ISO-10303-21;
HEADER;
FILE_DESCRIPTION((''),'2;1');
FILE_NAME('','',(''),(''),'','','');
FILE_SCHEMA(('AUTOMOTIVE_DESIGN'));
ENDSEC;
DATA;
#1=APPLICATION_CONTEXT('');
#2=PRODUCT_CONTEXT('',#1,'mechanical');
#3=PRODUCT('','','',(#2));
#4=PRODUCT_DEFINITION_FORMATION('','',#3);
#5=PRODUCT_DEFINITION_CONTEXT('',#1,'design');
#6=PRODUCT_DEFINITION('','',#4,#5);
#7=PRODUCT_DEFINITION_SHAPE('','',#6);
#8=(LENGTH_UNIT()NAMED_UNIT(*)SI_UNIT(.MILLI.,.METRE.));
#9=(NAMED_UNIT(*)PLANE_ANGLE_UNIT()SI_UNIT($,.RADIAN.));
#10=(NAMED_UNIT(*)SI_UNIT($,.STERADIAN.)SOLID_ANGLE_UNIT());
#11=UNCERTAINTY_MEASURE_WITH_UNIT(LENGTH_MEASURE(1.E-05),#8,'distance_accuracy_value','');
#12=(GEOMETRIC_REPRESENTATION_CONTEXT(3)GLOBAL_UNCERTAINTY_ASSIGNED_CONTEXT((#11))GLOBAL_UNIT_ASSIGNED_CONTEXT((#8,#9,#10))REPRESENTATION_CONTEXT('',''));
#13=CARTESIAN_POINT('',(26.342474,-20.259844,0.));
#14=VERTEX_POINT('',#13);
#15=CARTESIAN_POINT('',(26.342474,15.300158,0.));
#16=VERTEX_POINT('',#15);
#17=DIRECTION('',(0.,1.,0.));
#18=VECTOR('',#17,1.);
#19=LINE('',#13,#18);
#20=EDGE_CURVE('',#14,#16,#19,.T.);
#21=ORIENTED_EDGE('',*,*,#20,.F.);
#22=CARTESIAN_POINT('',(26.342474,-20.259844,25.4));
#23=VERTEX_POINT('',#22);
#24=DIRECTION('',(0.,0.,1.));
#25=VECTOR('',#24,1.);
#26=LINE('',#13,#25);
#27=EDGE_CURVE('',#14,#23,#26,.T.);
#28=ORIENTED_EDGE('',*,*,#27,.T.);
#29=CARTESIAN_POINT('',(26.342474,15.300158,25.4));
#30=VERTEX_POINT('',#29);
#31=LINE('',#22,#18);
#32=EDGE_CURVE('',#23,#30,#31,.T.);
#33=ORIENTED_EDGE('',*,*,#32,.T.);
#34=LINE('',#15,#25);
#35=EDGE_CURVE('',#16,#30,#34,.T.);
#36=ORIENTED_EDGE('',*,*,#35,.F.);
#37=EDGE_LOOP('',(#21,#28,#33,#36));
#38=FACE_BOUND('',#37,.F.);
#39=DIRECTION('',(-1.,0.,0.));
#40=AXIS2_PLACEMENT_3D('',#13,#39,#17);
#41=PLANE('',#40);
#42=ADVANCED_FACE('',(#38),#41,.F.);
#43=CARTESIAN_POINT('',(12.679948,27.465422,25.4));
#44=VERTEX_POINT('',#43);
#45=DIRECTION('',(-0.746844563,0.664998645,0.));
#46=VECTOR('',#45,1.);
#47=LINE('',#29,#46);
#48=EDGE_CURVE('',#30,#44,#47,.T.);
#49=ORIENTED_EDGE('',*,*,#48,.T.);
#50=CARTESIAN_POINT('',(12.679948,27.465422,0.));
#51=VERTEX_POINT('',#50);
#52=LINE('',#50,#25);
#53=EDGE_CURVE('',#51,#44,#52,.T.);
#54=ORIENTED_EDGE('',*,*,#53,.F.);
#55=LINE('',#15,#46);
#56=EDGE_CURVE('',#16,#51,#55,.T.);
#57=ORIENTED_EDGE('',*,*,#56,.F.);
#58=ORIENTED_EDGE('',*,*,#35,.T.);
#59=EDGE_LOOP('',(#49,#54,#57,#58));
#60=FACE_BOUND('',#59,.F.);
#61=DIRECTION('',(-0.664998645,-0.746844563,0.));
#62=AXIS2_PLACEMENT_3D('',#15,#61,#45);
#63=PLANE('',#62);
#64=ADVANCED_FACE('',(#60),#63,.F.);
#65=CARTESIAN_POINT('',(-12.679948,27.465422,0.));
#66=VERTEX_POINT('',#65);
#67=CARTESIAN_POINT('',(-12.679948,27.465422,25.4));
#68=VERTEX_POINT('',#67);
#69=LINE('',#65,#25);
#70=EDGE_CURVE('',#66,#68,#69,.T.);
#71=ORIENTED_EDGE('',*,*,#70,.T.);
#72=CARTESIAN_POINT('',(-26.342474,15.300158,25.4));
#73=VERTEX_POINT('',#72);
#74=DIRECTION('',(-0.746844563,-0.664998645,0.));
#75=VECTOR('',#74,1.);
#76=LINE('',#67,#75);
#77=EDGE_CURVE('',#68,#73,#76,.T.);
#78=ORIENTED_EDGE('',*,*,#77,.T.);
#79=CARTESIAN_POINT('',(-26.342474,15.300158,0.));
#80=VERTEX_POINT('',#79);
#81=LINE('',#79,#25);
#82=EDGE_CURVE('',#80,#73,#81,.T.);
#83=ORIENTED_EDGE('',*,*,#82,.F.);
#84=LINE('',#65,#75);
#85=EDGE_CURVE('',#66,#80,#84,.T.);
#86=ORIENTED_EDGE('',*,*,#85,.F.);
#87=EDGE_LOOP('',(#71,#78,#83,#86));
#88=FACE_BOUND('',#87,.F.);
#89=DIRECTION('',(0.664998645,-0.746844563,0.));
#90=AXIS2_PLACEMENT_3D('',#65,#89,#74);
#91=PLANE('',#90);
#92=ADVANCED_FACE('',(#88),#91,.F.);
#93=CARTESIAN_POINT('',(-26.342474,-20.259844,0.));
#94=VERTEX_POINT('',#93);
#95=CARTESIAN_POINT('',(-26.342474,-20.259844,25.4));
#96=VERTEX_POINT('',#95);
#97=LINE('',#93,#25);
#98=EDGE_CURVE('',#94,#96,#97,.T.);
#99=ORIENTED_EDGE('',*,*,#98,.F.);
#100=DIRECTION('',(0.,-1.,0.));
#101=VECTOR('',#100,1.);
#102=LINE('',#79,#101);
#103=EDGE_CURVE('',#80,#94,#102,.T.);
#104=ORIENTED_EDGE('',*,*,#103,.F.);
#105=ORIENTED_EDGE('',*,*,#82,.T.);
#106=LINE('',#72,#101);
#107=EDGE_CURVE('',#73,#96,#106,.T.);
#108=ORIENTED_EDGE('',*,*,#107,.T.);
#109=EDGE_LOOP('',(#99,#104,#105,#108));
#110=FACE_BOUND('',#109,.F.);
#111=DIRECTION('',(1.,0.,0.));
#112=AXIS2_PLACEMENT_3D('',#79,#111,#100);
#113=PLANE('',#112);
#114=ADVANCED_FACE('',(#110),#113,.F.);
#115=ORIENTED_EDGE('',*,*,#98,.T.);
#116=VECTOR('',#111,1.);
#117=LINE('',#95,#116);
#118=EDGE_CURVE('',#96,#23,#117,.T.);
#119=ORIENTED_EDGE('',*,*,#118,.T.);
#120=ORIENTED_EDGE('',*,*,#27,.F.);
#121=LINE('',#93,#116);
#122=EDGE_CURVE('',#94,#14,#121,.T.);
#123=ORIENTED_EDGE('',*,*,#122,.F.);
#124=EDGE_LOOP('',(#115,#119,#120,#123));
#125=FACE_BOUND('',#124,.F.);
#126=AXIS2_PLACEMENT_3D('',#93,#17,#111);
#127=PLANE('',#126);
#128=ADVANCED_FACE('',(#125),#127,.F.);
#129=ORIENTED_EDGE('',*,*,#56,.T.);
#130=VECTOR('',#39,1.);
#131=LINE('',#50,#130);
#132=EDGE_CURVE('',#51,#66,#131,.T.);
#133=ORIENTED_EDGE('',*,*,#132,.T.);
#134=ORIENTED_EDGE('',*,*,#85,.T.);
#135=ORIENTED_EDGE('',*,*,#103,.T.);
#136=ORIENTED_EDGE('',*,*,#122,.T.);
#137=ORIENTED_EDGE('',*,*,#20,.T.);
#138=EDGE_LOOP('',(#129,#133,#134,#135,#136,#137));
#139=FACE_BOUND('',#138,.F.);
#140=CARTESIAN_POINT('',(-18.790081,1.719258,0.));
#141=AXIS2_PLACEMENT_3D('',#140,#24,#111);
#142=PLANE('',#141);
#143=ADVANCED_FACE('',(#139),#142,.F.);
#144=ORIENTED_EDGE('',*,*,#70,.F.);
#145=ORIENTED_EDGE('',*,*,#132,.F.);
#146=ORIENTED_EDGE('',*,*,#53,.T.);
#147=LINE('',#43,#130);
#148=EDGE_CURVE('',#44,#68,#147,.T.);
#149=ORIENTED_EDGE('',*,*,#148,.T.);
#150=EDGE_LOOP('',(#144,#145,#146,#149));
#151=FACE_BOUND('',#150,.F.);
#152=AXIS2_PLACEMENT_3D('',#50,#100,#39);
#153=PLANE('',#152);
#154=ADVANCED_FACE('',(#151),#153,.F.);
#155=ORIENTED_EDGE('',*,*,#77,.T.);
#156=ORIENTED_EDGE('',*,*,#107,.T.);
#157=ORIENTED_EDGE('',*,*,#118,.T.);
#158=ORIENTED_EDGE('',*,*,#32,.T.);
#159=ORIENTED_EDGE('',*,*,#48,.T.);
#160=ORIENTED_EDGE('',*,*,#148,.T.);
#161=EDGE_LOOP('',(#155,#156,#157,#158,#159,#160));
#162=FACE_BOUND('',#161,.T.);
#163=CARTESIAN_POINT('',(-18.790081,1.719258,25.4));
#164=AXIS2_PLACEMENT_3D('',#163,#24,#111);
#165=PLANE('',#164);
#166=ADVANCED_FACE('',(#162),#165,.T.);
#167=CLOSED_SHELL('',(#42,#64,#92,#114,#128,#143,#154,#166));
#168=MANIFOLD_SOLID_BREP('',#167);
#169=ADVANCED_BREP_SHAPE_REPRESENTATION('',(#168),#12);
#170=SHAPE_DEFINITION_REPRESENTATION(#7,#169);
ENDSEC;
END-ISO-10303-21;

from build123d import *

# Parameters (mm, degrees)
F1_DEPTH = 25.4


with BuildPart() as f1:
    # F0 (on Top) → F1 (new body)
    with BuildSketch(Plane.XY):
        Polygon((-12.679948, 27.465422), (-26.342474, 15.300158), (-26.342474, -20.259844), (-12.679948, -20.259844), align=None)
        Polygon((0, 27.465422), (-12.679948, 27.465422), (-12.679948, -20.259844), (0, -20.259844), (12.679948, -20.259844), (12.679948, 27.465422), align=None)
        Polygon((26.342474, 15.300158), (12.679948, 27.465422), (12.679948, -20.259844), (26.342474, -20.259844), align=None)
    extrude(amount=F1_DEPTH)


solid = f1.part
